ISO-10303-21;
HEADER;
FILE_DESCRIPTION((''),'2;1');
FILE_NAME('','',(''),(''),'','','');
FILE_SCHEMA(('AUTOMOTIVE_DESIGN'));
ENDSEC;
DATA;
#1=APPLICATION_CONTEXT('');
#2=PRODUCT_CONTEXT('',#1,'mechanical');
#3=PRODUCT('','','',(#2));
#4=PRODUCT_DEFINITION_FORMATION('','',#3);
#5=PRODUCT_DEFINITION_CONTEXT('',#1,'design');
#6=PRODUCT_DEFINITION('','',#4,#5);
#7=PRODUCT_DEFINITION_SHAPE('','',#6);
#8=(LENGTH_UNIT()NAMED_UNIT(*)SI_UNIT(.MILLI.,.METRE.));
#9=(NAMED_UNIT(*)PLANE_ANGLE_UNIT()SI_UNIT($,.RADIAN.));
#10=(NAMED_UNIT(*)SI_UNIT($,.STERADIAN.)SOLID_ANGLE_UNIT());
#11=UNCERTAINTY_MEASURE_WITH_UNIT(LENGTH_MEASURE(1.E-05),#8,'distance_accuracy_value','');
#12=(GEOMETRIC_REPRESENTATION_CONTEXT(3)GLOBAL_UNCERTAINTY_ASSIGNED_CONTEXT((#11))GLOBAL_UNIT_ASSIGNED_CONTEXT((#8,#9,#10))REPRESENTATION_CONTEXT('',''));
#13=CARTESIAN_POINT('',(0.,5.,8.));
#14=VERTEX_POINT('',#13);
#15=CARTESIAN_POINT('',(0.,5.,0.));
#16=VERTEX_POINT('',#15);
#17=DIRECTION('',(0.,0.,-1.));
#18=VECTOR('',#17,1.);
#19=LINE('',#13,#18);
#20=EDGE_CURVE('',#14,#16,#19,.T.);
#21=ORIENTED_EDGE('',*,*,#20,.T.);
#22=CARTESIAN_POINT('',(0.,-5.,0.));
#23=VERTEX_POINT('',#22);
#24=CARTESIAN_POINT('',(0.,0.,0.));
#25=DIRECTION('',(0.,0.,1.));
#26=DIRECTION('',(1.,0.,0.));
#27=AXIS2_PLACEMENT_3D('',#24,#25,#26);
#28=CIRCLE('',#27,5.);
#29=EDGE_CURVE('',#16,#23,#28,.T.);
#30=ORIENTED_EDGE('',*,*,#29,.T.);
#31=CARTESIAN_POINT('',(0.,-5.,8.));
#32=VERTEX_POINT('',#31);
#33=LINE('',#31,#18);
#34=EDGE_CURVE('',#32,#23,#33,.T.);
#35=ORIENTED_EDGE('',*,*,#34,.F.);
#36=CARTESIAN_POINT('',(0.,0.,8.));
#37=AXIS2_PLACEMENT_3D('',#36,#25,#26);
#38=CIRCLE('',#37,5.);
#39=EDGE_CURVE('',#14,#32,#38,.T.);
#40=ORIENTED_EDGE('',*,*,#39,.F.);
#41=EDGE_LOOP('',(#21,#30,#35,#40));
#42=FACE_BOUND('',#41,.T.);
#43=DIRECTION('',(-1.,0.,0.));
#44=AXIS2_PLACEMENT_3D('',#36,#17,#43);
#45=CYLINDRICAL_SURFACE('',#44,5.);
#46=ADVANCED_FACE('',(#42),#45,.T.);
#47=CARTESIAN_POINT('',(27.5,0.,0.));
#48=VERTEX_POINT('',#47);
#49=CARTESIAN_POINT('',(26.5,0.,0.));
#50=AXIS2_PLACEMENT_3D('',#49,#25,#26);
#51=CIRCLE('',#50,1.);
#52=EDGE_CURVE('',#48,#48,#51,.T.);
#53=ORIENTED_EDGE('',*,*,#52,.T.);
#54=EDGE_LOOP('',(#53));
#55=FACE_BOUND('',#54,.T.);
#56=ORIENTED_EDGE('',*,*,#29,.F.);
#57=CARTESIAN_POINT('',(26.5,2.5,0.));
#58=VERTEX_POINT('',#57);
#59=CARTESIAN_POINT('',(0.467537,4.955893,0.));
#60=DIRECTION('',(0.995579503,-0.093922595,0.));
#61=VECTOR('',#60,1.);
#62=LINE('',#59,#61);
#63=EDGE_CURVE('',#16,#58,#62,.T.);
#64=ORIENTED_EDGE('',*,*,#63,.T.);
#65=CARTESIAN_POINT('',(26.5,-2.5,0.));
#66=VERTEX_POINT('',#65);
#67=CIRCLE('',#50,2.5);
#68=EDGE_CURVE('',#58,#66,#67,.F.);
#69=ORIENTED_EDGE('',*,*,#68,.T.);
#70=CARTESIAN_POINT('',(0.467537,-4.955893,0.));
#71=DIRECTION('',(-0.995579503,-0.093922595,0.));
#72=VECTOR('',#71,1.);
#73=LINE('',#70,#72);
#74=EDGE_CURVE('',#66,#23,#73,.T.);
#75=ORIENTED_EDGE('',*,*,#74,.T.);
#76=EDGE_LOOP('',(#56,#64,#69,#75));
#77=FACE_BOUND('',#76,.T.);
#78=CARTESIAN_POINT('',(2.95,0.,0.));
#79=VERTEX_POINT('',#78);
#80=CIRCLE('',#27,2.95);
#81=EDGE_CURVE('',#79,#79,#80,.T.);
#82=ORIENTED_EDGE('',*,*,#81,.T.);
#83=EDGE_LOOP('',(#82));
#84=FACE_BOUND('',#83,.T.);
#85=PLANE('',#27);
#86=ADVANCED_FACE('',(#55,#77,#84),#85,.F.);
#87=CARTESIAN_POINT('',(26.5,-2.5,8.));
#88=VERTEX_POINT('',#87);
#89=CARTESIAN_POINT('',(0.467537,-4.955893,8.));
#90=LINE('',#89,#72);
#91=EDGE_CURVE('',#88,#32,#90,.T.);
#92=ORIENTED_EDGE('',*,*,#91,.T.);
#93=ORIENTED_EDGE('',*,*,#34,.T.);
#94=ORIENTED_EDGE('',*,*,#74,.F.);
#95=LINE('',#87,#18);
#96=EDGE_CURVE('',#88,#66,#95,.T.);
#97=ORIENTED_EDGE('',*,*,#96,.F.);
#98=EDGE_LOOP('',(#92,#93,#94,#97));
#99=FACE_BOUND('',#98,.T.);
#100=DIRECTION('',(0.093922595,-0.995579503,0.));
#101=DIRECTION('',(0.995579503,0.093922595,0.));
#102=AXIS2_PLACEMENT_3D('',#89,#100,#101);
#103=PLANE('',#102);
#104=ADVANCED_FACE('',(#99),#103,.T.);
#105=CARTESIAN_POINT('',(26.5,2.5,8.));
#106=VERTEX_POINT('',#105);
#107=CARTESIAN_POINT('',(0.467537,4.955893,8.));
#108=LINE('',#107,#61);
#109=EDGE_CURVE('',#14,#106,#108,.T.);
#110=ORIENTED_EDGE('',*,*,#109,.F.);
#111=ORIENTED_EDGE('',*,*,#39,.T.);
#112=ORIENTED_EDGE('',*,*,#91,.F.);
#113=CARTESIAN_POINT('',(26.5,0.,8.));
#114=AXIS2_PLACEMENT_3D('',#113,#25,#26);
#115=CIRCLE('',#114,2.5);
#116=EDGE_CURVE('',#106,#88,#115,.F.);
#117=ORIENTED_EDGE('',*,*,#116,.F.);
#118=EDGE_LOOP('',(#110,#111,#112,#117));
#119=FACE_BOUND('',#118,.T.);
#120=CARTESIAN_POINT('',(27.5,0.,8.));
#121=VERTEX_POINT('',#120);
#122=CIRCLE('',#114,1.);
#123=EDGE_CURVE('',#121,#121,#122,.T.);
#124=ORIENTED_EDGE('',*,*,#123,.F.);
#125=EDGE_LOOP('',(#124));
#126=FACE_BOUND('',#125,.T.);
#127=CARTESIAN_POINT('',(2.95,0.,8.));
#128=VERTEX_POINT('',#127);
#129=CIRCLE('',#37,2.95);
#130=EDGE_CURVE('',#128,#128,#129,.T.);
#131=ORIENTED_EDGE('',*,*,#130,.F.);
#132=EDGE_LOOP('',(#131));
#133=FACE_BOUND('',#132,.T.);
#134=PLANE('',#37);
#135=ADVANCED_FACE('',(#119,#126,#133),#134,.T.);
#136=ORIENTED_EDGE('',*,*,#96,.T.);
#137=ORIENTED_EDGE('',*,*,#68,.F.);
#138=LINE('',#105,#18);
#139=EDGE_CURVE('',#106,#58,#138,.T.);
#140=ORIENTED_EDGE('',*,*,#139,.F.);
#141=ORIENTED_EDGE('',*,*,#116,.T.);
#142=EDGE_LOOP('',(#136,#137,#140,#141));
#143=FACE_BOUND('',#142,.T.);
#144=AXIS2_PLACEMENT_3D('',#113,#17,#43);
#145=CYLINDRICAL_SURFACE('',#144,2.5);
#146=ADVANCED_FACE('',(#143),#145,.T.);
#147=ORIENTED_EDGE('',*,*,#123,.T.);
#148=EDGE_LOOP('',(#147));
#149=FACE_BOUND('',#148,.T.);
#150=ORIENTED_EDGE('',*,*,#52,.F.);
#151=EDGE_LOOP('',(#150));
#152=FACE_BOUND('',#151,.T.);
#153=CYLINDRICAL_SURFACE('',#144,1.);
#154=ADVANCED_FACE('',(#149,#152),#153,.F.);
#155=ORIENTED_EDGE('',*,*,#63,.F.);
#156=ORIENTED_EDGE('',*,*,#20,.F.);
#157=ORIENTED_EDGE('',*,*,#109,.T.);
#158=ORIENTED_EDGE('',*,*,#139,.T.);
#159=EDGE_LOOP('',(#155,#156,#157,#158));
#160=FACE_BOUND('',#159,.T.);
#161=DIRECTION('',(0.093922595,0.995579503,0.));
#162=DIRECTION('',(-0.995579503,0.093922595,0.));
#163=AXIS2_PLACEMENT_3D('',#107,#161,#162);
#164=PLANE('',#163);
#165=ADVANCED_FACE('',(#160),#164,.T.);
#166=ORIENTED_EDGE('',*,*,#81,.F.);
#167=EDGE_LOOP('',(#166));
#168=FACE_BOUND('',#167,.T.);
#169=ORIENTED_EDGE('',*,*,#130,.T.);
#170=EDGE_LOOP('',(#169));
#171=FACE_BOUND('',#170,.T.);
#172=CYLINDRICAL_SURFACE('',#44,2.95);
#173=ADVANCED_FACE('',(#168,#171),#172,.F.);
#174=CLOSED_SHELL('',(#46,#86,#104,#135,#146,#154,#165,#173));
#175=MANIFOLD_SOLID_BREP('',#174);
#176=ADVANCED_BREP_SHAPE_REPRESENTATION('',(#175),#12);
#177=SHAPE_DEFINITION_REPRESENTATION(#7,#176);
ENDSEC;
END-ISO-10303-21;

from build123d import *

# Parameters (mm, degrees)
ESQUISSE1_R        = 2.95
ESQUISSE1_R_2      = 1
BOSS_EXTRU_1_DEPTH = 8


with BuildPart() as part:
    # Esquisse1 → Boss.-Extru.1 (new body)
    with BuildSketch(Plane.XY):
        with BuildLine():
            Line((0, 5), (26.5, 2.5))
            ThreePointArc((26.5, 2.5), (29, 0), (26.5, -2.5))
            Line((26.5, -2.5), (0, -5))
            ThreePointArc((0, -5), (-5, 0), (0, 5))
        make_face()
        Circle(ESQUISSE1_R, mode=Mode.SUBTRACT)
        with Locations((26.5, 0)):
            Circle(ESQUISSE1_R_2, mode=Mode.SUBTRACT)
    extrude(amount=BOSS_EXTRU_1_DEPTH)


solid = part.part
